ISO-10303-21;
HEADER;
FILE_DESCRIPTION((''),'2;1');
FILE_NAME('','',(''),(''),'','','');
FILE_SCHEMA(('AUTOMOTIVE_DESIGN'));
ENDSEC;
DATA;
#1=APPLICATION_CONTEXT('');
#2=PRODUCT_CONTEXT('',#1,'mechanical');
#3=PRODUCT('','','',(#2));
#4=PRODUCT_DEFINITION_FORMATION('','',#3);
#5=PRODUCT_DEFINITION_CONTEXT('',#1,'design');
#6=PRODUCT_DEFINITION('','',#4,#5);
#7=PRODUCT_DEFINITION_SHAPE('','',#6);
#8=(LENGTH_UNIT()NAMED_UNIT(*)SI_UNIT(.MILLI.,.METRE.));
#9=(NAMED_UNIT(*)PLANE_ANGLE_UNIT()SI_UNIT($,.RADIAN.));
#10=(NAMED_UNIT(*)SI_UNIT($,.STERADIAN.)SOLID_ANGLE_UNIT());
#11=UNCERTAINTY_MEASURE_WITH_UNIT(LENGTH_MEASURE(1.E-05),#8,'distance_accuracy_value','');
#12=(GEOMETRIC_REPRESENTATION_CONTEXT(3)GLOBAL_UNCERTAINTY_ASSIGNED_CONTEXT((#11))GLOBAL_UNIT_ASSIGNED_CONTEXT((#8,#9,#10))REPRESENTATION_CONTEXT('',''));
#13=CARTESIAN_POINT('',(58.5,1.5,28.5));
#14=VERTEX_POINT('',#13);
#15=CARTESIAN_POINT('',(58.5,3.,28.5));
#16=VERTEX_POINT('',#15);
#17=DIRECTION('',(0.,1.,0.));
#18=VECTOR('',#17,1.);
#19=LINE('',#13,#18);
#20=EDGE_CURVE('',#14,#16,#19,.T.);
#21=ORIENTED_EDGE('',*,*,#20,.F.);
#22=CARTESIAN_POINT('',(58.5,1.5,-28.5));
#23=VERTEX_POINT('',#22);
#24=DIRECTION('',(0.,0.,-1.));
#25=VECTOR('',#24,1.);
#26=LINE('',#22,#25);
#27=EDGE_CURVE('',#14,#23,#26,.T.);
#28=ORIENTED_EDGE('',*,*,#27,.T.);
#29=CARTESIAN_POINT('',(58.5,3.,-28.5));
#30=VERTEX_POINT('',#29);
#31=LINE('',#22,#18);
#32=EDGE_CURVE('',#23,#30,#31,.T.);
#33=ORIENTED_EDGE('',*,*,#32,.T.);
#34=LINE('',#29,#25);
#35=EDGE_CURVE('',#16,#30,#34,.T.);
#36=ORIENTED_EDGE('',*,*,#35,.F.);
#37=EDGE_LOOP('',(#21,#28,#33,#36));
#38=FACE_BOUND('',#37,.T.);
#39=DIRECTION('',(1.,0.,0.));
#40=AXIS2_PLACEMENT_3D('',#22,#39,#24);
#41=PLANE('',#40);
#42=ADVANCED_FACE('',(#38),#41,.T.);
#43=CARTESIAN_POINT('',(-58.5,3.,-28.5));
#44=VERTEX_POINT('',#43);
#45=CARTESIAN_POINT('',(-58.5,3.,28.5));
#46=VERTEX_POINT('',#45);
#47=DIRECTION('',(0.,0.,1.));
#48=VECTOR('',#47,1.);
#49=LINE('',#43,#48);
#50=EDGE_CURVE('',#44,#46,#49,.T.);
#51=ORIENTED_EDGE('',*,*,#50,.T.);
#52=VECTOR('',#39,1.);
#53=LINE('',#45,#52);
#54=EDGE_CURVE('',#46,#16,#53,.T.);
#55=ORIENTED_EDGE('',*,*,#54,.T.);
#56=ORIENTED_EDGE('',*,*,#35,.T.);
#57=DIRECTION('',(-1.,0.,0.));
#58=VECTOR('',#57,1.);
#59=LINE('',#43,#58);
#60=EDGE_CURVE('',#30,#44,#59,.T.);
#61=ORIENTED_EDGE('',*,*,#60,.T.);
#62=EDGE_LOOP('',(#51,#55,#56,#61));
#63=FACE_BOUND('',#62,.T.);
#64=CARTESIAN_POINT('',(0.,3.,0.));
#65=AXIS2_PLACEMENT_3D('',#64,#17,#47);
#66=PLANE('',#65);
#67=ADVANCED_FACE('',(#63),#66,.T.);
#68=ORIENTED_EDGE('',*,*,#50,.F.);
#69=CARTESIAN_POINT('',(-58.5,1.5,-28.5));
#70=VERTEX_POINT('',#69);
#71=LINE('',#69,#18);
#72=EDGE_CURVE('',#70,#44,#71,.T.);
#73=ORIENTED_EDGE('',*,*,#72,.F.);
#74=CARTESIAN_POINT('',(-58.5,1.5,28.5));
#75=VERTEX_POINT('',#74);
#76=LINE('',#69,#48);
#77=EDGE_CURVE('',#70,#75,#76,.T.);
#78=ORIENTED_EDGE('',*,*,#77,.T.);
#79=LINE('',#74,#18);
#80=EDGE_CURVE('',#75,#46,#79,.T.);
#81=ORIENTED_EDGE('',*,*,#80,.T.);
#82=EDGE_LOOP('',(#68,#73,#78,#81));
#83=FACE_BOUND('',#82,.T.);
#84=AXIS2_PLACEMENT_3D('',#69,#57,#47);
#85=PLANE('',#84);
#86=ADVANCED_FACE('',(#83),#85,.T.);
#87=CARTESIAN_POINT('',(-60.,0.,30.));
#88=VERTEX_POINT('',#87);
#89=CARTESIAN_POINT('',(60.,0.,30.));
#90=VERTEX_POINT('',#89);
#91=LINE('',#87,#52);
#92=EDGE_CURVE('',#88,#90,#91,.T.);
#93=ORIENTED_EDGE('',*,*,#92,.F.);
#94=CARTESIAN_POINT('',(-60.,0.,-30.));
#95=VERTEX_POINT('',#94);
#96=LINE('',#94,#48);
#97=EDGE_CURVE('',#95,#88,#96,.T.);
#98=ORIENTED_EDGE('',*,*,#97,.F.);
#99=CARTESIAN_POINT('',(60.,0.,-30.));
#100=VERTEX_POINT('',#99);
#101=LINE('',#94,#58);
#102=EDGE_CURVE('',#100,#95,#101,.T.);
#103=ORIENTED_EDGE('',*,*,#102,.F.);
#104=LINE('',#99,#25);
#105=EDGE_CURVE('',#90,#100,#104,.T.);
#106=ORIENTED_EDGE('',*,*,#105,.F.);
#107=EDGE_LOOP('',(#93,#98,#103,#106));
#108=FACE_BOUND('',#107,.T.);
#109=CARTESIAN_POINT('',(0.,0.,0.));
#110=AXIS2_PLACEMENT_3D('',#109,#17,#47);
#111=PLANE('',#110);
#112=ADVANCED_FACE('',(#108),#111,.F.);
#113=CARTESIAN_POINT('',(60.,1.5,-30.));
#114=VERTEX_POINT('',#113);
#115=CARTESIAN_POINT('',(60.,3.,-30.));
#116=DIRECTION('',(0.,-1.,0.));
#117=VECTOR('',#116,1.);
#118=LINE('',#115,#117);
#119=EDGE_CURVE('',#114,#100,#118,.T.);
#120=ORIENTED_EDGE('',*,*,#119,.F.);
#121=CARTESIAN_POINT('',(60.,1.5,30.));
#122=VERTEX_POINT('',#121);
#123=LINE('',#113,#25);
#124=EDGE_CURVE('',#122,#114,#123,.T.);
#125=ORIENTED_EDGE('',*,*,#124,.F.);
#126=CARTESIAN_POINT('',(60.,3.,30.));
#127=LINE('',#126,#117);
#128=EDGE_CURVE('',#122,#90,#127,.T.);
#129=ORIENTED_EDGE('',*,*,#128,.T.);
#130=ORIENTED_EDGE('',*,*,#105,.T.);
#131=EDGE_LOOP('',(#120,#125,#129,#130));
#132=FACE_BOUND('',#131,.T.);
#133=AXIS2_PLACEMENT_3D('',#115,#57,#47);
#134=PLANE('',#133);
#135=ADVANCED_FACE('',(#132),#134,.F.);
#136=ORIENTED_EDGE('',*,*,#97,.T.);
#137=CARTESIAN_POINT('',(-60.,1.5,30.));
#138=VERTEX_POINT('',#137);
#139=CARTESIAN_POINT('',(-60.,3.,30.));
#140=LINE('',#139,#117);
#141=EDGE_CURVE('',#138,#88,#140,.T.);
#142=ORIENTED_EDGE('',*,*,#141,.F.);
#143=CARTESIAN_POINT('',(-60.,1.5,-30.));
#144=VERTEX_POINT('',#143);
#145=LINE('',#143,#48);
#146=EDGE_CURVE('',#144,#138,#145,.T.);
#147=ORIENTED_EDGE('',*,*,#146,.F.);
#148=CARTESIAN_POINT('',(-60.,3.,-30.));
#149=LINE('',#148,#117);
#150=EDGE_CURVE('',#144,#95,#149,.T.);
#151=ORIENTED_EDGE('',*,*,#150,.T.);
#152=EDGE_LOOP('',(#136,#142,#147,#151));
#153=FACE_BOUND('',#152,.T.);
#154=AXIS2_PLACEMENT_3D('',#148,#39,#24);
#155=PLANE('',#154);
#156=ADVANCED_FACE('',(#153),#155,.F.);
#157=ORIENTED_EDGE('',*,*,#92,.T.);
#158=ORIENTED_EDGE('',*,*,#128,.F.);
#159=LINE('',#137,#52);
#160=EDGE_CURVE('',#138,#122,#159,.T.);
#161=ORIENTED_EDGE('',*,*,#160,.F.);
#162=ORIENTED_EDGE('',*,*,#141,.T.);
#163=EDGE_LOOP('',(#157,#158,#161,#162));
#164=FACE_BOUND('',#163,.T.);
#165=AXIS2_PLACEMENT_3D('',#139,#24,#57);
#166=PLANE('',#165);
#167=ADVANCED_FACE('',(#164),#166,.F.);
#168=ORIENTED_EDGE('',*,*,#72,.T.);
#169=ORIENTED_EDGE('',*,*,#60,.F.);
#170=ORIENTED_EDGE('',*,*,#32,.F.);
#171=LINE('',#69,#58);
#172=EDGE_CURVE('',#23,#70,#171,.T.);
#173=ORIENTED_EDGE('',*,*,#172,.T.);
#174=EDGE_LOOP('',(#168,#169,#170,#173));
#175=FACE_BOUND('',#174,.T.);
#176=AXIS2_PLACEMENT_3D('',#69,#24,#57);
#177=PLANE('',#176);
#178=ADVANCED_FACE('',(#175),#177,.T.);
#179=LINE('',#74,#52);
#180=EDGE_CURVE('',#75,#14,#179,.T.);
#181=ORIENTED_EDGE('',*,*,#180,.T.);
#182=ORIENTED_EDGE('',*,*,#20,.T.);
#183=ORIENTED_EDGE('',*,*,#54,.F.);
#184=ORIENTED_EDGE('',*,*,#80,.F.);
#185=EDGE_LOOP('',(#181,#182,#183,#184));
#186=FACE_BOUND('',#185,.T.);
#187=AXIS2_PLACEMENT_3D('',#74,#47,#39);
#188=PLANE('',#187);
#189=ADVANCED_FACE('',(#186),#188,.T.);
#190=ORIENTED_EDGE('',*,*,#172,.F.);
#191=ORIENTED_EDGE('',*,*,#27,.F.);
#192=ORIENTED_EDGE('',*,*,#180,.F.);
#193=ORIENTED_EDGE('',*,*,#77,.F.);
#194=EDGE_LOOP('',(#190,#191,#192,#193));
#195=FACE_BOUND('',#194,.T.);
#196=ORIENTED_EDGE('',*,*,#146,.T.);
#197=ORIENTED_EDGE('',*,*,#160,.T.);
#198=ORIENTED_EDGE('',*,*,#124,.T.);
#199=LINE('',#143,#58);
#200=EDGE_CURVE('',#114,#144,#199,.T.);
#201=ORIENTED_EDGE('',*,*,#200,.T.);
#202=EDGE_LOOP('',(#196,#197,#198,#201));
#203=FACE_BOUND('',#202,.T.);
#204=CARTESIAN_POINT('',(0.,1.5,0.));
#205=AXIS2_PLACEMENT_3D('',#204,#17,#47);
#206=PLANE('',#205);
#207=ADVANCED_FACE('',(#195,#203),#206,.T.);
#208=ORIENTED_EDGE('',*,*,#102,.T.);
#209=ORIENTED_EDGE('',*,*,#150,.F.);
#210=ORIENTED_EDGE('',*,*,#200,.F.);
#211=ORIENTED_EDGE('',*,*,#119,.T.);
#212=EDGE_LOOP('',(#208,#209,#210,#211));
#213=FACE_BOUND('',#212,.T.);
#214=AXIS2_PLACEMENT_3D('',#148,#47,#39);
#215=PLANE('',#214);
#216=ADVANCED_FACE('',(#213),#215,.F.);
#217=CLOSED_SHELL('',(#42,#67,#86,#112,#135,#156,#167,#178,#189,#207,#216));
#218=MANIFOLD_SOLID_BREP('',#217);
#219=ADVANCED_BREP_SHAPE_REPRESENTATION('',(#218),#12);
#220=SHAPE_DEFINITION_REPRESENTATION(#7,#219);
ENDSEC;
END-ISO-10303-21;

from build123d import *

# Parameters (mm, degrees)
SKETCH1_W           = 120
SKETCH1_H           = 60
BOSS_EXTRUDE1_DEPTH = 3
SKETCH2_OUTSIDE_W   = 148.84
SKETCH2_OUTSIDE_H   = 88.84
SKETCH2_OUTSIDE_W_2 = 117
SKETCH2_OUTSIDE_H_2 = 57
CUT_EXTRUDE1_DEPTH  = 1.5


with BuildPart() as part:
    # Sketch1 → Boss-Extrude1 (new body)
    with BuildSketch(Plane(origin=(0, 0, 0), x_dir=(1, 0, 0), z_dir=(0, 1, 0))):
        Rectangle(SKETCH1_W, SKETCH1_H)
    extrude(amount=BOSS_EXTRUDE1_DEPTH)

    # Sketch2 outside → Cut-Extrude1 (cut)
    with BuildSketch(Plane(origin=(0, 3, 0), x_dir=(1, 0, 0), z_dir=(0, 1, 0))):
        Rectangle(SKETCH2_OUTSIDE_W, SKETCH2_OUTSIDE_H)
        Rectangle(SKETCH2_OUTSIDE_W_2, SKETCH2_OUTSIDE_H_2, mode=Mode.SUBTRACT)
    extrude(amount=-CUT_EXTRUDE1_DEPTH, mode=Mode.SUBTRACT)


solid = part.part
